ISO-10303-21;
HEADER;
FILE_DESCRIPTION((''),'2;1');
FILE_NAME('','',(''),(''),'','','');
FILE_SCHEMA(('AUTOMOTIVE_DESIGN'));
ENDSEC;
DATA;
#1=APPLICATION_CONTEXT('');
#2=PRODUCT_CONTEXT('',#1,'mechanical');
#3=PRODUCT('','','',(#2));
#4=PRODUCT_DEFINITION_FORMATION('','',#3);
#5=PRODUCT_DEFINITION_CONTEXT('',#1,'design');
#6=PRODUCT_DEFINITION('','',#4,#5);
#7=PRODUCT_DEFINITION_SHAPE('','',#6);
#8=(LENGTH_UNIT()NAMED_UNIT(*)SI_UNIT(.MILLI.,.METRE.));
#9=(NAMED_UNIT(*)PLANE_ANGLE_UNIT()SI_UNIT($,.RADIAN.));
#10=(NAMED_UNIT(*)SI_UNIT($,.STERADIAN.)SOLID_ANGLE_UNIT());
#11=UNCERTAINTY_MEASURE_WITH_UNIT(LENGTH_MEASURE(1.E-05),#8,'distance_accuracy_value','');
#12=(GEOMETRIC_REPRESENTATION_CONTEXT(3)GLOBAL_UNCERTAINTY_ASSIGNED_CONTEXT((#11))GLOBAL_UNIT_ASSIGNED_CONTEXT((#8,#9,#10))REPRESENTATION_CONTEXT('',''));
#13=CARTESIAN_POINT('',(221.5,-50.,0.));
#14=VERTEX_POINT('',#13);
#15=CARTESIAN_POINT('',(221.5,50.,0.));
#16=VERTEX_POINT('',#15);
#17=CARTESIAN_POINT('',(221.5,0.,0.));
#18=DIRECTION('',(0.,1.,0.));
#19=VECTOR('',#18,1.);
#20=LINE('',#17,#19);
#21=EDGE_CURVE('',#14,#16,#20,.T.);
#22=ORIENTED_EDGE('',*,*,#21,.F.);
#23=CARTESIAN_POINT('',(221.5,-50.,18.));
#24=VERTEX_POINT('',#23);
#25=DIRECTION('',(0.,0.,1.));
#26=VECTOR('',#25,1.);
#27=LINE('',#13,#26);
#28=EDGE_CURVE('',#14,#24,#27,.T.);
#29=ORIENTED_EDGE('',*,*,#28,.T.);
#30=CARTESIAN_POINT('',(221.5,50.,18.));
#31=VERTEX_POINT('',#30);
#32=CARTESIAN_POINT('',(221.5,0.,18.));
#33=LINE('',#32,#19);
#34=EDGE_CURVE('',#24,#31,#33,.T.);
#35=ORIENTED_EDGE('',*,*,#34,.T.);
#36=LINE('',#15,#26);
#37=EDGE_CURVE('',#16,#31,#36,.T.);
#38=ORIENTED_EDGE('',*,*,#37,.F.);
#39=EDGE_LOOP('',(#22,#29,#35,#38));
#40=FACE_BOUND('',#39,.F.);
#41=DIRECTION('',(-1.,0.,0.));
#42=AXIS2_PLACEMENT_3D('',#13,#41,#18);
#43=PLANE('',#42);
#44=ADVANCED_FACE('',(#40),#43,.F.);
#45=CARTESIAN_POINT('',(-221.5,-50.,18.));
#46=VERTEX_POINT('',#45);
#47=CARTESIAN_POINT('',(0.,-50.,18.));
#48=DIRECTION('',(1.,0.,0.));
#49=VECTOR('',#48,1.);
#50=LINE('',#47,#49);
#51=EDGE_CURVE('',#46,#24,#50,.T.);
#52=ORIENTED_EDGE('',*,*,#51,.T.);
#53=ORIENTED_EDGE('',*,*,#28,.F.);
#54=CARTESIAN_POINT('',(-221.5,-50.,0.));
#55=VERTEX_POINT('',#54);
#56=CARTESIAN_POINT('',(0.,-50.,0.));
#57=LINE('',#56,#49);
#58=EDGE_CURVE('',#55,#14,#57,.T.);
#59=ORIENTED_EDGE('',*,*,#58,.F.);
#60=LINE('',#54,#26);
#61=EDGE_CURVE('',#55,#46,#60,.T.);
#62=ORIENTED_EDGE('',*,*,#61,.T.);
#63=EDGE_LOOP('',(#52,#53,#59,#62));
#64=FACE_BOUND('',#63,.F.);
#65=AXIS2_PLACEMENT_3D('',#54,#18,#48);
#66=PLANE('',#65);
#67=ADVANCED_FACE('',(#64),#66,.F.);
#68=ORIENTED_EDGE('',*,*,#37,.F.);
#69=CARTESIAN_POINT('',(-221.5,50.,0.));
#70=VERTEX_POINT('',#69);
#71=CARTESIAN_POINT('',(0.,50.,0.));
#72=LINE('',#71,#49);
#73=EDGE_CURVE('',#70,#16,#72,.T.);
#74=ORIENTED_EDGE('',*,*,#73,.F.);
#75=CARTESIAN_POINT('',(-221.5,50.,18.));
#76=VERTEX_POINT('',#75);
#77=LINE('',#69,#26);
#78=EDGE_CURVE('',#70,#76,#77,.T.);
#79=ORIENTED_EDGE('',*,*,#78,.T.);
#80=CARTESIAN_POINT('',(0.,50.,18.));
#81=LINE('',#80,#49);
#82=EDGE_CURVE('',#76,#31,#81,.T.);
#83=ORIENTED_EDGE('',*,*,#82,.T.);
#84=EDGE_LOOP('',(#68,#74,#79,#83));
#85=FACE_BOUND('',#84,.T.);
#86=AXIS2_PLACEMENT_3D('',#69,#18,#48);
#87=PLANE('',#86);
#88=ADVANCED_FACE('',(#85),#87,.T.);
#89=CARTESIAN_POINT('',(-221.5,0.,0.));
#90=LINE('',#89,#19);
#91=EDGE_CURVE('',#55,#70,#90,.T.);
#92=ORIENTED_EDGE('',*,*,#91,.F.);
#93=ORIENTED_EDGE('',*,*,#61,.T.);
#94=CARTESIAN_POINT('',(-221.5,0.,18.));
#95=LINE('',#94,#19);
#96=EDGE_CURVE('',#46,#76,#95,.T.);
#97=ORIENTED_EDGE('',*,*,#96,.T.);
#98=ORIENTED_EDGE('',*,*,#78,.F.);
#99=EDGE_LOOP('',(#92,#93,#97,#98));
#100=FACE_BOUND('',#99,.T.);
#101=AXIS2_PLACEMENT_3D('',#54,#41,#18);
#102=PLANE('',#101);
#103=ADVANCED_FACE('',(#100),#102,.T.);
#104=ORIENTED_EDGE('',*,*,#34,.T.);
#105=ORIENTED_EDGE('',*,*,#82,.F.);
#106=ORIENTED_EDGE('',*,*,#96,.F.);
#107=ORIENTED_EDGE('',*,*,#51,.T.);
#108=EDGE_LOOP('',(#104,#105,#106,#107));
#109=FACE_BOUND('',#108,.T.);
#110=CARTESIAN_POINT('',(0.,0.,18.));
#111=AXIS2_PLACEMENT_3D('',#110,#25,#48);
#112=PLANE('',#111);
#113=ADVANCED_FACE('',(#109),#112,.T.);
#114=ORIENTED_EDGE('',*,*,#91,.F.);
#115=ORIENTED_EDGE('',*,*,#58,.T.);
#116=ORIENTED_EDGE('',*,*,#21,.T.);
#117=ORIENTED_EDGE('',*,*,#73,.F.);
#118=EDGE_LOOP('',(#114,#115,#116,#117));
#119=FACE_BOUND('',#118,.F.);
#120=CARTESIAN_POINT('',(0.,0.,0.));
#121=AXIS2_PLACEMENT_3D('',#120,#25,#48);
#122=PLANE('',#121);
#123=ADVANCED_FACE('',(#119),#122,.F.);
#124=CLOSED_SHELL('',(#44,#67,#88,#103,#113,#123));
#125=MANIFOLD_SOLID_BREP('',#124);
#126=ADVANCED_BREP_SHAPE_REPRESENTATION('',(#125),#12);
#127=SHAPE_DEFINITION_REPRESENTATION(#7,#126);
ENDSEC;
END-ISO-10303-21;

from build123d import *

# Parameters (mm, degrees)
SKETCH_W  = 443
SKETCH_H  = 100
PAD_DEPTH = 18


with BuildPart() as part:
    # Sketch → Pad (new body)
    with BuildSketch(Plane.XY):
        Rectangle(SKETCH_W, SKETCH_H)
    extrude(amount=PAD_DEPTH)


solid = part.part
